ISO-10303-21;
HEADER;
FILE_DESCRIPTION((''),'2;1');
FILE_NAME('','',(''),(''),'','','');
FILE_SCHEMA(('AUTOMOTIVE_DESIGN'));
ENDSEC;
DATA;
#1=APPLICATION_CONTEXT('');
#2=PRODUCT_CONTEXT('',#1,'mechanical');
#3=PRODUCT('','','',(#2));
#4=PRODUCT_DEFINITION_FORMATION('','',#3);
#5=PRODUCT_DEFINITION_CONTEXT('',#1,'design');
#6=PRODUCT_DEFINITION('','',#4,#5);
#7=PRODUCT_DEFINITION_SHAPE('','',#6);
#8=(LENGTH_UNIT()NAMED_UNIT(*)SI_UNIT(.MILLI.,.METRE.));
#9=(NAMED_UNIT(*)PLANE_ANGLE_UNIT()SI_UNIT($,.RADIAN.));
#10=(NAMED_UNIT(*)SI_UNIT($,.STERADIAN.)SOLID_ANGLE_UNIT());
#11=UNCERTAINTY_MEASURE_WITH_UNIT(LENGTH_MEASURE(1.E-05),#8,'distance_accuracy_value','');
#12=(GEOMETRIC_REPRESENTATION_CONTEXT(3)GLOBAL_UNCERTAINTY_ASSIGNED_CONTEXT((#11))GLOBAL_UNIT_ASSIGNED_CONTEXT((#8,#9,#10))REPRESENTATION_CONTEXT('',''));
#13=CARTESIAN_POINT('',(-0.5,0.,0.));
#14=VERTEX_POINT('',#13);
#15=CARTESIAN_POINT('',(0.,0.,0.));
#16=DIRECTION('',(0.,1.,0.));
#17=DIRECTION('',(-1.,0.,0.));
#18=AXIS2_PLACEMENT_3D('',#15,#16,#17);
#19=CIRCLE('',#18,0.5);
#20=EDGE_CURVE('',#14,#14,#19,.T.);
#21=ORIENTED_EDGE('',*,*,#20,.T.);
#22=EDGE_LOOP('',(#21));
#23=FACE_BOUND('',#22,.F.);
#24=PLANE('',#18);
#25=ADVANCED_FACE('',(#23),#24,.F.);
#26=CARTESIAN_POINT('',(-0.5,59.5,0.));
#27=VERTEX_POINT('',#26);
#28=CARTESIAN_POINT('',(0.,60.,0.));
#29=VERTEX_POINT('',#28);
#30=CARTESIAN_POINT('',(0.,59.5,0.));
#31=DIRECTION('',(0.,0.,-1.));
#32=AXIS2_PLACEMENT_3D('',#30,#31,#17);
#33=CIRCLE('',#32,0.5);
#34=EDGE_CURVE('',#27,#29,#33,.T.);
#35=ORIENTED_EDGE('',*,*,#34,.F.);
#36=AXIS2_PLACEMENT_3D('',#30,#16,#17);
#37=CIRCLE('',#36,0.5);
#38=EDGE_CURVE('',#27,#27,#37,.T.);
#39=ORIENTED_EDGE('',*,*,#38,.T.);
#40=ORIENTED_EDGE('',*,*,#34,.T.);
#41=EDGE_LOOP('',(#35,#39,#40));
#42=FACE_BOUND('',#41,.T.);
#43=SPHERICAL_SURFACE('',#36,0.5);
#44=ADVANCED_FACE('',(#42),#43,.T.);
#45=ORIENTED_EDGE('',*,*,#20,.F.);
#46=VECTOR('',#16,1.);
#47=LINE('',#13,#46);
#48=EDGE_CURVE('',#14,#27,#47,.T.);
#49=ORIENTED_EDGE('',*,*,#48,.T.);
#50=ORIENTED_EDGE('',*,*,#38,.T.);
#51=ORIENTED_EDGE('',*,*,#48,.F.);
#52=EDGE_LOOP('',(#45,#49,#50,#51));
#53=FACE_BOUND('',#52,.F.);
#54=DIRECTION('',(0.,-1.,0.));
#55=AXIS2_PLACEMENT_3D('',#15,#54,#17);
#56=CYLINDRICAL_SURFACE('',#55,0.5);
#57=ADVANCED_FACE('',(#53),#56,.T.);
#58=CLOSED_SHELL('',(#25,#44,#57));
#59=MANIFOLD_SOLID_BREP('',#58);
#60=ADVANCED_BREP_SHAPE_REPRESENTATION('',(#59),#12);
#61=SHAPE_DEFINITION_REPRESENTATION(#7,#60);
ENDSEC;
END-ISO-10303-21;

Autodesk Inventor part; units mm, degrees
ref_plane "YZ Plane" through (0, 0, 0) normal (1, 0, 0) x (0, 1, 0)
ref_plane "XZ Plane" through (0, 0, 0) normal (0, 1, 0) x (-1, 0, 0)
ref_plane "XY Plane" through (0, 0, 0) normal (0, 0, 1) x (1, 0, 0)
sketch "Sketch1" plane through (0, 0, 0) normal (0, 1, 0) x (-1, 0, 0)
  circle A0 centre (0, 0) radius 0.5
  dimension "d0" = 1
extrude "Extrusion1" add sketch "Sketch1" along normal blind 60
fillet "Fillet1" radius 0.5 1 edges at (0.5, 60, 0)
properties part number "ray" material "Gold"
